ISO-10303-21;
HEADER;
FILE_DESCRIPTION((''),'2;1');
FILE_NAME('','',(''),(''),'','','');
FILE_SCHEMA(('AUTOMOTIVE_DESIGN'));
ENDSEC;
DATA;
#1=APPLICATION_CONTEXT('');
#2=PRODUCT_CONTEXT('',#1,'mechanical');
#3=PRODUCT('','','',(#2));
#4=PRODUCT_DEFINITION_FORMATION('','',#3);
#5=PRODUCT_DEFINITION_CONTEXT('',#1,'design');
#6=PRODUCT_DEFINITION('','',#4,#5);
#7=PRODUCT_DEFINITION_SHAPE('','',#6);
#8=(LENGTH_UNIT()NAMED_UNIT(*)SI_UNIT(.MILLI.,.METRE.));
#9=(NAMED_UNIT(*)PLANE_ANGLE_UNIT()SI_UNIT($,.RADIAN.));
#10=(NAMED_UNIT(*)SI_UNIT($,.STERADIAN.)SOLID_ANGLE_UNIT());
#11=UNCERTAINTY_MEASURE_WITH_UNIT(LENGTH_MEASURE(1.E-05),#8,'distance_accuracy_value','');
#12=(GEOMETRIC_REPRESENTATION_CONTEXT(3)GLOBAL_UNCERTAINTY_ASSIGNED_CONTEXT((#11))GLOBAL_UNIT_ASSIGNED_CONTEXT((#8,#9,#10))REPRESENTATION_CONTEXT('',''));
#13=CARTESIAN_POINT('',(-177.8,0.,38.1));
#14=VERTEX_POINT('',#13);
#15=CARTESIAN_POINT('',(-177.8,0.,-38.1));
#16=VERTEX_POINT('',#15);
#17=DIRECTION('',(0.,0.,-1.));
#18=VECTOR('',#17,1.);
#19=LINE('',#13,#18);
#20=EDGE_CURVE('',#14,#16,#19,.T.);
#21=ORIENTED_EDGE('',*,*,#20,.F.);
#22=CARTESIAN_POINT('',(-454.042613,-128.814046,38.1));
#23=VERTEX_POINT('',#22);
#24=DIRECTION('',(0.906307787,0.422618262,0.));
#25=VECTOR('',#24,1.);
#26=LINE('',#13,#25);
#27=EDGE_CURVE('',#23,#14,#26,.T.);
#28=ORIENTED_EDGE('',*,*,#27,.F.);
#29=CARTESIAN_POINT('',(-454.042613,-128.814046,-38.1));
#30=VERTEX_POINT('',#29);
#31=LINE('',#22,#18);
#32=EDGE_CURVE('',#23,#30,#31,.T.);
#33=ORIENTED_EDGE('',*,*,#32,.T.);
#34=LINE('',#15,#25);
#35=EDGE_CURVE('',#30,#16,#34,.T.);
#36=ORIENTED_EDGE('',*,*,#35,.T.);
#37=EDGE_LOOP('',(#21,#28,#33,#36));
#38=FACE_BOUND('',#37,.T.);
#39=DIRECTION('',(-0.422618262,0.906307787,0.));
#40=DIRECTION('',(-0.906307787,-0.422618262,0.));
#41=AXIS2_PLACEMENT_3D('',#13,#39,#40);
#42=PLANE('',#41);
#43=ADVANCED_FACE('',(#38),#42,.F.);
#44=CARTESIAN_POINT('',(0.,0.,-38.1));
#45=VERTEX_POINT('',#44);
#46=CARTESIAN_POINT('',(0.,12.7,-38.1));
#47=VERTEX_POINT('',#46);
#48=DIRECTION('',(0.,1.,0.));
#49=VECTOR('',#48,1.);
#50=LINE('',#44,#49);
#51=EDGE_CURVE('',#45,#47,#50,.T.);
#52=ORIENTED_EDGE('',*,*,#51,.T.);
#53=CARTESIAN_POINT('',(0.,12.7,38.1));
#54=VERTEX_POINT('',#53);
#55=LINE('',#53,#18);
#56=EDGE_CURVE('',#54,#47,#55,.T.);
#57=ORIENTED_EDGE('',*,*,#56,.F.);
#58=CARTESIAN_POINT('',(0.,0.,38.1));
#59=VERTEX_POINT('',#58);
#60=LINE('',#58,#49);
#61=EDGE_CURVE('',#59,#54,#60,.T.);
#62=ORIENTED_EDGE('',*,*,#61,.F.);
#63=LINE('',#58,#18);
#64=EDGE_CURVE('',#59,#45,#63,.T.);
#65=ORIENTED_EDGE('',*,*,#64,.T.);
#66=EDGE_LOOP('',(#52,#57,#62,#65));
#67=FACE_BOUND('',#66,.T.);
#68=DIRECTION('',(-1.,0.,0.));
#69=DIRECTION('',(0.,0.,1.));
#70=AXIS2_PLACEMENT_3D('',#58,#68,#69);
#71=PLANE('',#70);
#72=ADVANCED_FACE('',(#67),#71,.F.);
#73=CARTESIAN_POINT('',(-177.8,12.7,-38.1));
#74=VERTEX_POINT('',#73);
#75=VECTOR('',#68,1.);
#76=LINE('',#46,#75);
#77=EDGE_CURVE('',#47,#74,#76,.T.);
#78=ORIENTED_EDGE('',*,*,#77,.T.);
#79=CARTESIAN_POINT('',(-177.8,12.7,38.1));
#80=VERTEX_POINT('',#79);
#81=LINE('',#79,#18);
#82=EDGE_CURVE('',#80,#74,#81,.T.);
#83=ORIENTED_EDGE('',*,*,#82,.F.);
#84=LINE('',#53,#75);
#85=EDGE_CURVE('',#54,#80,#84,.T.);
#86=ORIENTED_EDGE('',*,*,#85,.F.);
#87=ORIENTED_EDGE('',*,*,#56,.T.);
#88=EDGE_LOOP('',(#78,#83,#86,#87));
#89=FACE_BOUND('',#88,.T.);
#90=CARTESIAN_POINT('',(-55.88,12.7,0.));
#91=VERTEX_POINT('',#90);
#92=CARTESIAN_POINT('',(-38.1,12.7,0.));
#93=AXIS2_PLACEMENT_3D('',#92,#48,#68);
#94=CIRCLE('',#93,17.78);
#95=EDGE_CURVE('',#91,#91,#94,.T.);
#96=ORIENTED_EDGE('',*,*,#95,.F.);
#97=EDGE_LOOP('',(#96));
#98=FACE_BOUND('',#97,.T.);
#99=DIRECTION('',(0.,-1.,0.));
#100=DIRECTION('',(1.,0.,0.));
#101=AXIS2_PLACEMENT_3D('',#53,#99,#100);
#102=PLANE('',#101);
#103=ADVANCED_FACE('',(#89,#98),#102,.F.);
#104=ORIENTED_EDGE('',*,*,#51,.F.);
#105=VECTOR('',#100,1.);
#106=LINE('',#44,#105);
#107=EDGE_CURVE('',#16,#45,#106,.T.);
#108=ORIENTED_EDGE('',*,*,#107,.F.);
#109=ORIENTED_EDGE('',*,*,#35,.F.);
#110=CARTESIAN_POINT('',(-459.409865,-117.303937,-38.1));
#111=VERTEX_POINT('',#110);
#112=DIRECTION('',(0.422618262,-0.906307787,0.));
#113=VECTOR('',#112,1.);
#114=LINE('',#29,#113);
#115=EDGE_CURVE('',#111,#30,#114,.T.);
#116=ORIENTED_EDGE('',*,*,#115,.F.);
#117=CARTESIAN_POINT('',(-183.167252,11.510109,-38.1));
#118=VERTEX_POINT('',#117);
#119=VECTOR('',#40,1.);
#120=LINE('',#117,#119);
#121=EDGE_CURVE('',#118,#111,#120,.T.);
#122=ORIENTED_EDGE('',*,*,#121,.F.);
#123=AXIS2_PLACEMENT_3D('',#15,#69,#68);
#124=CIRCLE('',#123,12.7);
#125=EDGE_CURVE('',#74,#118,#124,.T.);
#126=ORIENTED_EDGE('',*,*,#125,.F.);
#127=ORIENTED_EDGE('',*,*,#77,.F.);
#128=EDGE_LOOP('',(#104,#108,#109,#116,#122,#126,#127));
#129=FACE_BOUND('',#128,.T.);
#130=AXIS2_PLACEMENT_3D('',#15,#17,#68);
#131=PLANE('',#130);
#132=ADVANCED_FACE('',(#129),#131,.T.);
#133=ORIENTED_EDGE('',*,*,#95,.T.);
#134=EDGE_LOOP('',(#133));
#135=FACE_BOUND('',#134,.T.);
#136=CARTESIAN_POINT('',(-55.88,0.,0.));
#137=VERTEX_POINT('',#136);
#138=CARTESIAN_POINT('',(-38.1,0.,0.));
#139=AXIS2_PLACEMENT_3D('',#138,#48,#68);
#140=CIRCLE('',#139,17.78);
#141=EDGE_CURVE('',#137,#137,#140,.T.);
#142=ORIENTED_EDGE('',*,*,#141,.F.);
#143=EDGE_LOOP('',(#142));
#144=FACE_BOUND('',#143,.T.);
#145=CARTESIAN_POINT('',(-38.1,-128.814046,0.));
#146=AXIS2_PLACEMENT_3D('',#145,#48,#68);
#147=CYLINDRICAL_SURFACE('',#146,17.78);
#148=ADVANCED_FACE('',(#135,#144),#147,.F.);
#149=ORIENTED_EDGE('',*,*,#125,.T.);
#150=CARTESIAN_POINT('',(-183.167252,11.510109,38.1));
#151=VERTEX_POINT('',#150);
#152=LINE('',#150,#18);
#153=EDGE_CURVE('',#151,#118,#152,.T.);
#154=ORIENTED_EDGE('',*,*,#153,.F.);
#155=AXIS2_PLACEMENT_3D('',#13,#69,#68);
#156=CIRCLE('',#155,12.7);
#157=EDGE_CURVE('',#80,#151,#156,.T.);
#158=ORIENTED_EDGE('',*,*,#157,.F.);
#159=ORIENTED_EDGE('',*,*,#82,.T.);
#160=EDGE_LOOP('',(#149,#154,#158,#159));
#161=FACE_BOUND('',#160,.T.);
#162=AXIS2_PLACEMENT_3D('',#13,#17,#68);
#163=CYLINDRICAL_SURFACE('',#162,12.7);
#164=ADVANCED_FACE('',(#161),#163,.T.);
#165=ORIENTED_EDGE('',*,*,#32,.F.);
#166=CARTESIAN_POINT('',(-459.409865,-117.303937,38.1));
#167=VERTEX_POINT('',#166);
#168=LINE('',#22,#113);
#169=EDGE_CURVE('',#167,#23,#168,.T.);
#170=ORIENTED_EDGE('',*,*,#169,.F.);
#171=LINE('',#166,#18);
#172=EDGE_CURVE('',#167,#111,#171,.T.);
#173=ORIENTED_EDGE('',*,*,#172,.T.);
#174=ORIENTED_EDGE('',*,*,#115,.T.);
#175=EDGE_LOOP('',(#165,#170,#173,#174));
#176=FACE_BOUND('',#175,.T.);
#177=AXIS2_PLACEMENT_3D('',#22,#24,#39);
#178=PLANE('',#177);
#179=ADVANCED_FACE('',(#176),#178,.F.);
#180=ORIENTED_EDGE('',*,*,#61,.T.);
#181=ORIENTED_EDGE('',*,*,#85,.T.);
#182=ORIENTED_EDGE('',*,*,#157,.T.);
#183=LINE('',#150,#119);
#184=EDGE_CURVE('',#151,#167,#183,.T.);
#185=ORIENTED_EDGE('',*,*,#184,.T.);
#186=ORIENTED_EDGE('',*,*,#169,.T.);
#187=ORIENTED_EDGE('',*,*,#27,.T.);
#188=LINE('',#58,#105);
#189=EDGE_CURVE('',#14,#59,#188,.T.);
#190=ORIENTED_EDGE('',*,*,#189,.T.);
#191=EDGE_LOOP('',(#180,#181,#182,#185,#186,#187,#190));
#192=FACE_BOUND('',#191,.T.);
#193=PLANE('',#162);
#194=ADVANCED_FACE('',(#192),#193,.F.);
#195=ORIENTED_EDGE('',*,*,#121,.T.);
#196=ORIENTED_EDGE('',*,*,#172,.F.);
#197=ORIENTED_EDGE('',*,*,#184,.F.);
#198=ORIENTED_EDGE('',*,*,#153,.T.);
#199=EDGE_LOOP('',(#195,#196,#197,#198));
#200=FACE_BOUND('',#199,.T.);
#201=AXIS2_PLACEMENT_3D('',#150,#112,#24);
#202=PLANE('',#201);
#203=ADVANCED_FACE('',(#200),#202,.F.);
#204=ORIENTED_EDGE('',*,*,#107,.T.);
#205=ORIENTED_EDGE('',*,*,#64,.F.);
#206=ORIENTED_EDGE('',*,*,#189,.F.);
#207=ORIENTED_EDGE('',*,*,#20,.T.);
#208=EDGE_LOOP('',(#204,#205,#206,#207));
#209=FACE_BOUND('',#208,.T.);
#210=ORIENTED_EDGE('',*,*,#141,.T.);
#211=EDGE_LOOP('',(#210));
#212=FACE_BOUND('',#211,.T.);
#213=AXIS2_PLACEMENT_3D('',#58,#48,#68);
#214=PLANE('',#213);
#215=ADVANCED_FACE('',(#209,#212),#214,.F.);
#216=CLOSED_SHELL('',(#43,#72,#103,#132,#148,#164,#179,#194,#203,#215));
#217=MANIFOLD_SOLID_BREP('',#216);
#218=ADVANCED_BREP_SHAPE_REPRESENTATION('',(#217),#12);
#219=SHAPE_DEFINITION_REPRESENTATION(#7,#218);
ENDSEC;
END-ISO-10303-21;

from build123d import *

# Parameters (mm, degrees)
BOSS_EXTRUDE1_DEPTH = 38.1
SKETCH2_R           = 17.78
CUT_EXTRUDE1_DEPTH  = 142.514046179


with BuildPart() as part:
    # Sketch1 → Boss-Extrude1 (new body, symmetric)
    with BuildSketch(Plane.XY):
        with BuildLine():
            Line((0, 0), (-177.8, 0))
            Line((-177.8, 0), (-454.042613489, -128.814046179))
            Line((-454.042613489, -128.814046179), (-459.409865413, -117.303937283))
            Line((-459.409865413, -117.303937283), (-183.167251924, 11.510108895))
            ThreePointArc((-183.167251924, 11.510108895), (-180.548783097, 12.39895929), (-177.8, 12.7))
            Line((-177.8, 12.7), (0, 12.7))
            Line((0, 12.7), (0, 0))
        make_face()
    extrude(amount=BOSS_EXTRUDE1_DEPTH, both=True)

    # Sketch2 → Cut-Extrude1 (cut, through all)
    with BuildSketch(Plane(origin=(0, 12.7, 0), x_dir=(1, 0, 0), z_dir=(0, 1, 0))):
        with Locations((-38.1, 0)):
            Circle(SKETCH2_R)
    extrude(amount=-CUT_EXTRUDE1_DEPTH, mode=Mode.SUBTRACT)


solid = part.part
